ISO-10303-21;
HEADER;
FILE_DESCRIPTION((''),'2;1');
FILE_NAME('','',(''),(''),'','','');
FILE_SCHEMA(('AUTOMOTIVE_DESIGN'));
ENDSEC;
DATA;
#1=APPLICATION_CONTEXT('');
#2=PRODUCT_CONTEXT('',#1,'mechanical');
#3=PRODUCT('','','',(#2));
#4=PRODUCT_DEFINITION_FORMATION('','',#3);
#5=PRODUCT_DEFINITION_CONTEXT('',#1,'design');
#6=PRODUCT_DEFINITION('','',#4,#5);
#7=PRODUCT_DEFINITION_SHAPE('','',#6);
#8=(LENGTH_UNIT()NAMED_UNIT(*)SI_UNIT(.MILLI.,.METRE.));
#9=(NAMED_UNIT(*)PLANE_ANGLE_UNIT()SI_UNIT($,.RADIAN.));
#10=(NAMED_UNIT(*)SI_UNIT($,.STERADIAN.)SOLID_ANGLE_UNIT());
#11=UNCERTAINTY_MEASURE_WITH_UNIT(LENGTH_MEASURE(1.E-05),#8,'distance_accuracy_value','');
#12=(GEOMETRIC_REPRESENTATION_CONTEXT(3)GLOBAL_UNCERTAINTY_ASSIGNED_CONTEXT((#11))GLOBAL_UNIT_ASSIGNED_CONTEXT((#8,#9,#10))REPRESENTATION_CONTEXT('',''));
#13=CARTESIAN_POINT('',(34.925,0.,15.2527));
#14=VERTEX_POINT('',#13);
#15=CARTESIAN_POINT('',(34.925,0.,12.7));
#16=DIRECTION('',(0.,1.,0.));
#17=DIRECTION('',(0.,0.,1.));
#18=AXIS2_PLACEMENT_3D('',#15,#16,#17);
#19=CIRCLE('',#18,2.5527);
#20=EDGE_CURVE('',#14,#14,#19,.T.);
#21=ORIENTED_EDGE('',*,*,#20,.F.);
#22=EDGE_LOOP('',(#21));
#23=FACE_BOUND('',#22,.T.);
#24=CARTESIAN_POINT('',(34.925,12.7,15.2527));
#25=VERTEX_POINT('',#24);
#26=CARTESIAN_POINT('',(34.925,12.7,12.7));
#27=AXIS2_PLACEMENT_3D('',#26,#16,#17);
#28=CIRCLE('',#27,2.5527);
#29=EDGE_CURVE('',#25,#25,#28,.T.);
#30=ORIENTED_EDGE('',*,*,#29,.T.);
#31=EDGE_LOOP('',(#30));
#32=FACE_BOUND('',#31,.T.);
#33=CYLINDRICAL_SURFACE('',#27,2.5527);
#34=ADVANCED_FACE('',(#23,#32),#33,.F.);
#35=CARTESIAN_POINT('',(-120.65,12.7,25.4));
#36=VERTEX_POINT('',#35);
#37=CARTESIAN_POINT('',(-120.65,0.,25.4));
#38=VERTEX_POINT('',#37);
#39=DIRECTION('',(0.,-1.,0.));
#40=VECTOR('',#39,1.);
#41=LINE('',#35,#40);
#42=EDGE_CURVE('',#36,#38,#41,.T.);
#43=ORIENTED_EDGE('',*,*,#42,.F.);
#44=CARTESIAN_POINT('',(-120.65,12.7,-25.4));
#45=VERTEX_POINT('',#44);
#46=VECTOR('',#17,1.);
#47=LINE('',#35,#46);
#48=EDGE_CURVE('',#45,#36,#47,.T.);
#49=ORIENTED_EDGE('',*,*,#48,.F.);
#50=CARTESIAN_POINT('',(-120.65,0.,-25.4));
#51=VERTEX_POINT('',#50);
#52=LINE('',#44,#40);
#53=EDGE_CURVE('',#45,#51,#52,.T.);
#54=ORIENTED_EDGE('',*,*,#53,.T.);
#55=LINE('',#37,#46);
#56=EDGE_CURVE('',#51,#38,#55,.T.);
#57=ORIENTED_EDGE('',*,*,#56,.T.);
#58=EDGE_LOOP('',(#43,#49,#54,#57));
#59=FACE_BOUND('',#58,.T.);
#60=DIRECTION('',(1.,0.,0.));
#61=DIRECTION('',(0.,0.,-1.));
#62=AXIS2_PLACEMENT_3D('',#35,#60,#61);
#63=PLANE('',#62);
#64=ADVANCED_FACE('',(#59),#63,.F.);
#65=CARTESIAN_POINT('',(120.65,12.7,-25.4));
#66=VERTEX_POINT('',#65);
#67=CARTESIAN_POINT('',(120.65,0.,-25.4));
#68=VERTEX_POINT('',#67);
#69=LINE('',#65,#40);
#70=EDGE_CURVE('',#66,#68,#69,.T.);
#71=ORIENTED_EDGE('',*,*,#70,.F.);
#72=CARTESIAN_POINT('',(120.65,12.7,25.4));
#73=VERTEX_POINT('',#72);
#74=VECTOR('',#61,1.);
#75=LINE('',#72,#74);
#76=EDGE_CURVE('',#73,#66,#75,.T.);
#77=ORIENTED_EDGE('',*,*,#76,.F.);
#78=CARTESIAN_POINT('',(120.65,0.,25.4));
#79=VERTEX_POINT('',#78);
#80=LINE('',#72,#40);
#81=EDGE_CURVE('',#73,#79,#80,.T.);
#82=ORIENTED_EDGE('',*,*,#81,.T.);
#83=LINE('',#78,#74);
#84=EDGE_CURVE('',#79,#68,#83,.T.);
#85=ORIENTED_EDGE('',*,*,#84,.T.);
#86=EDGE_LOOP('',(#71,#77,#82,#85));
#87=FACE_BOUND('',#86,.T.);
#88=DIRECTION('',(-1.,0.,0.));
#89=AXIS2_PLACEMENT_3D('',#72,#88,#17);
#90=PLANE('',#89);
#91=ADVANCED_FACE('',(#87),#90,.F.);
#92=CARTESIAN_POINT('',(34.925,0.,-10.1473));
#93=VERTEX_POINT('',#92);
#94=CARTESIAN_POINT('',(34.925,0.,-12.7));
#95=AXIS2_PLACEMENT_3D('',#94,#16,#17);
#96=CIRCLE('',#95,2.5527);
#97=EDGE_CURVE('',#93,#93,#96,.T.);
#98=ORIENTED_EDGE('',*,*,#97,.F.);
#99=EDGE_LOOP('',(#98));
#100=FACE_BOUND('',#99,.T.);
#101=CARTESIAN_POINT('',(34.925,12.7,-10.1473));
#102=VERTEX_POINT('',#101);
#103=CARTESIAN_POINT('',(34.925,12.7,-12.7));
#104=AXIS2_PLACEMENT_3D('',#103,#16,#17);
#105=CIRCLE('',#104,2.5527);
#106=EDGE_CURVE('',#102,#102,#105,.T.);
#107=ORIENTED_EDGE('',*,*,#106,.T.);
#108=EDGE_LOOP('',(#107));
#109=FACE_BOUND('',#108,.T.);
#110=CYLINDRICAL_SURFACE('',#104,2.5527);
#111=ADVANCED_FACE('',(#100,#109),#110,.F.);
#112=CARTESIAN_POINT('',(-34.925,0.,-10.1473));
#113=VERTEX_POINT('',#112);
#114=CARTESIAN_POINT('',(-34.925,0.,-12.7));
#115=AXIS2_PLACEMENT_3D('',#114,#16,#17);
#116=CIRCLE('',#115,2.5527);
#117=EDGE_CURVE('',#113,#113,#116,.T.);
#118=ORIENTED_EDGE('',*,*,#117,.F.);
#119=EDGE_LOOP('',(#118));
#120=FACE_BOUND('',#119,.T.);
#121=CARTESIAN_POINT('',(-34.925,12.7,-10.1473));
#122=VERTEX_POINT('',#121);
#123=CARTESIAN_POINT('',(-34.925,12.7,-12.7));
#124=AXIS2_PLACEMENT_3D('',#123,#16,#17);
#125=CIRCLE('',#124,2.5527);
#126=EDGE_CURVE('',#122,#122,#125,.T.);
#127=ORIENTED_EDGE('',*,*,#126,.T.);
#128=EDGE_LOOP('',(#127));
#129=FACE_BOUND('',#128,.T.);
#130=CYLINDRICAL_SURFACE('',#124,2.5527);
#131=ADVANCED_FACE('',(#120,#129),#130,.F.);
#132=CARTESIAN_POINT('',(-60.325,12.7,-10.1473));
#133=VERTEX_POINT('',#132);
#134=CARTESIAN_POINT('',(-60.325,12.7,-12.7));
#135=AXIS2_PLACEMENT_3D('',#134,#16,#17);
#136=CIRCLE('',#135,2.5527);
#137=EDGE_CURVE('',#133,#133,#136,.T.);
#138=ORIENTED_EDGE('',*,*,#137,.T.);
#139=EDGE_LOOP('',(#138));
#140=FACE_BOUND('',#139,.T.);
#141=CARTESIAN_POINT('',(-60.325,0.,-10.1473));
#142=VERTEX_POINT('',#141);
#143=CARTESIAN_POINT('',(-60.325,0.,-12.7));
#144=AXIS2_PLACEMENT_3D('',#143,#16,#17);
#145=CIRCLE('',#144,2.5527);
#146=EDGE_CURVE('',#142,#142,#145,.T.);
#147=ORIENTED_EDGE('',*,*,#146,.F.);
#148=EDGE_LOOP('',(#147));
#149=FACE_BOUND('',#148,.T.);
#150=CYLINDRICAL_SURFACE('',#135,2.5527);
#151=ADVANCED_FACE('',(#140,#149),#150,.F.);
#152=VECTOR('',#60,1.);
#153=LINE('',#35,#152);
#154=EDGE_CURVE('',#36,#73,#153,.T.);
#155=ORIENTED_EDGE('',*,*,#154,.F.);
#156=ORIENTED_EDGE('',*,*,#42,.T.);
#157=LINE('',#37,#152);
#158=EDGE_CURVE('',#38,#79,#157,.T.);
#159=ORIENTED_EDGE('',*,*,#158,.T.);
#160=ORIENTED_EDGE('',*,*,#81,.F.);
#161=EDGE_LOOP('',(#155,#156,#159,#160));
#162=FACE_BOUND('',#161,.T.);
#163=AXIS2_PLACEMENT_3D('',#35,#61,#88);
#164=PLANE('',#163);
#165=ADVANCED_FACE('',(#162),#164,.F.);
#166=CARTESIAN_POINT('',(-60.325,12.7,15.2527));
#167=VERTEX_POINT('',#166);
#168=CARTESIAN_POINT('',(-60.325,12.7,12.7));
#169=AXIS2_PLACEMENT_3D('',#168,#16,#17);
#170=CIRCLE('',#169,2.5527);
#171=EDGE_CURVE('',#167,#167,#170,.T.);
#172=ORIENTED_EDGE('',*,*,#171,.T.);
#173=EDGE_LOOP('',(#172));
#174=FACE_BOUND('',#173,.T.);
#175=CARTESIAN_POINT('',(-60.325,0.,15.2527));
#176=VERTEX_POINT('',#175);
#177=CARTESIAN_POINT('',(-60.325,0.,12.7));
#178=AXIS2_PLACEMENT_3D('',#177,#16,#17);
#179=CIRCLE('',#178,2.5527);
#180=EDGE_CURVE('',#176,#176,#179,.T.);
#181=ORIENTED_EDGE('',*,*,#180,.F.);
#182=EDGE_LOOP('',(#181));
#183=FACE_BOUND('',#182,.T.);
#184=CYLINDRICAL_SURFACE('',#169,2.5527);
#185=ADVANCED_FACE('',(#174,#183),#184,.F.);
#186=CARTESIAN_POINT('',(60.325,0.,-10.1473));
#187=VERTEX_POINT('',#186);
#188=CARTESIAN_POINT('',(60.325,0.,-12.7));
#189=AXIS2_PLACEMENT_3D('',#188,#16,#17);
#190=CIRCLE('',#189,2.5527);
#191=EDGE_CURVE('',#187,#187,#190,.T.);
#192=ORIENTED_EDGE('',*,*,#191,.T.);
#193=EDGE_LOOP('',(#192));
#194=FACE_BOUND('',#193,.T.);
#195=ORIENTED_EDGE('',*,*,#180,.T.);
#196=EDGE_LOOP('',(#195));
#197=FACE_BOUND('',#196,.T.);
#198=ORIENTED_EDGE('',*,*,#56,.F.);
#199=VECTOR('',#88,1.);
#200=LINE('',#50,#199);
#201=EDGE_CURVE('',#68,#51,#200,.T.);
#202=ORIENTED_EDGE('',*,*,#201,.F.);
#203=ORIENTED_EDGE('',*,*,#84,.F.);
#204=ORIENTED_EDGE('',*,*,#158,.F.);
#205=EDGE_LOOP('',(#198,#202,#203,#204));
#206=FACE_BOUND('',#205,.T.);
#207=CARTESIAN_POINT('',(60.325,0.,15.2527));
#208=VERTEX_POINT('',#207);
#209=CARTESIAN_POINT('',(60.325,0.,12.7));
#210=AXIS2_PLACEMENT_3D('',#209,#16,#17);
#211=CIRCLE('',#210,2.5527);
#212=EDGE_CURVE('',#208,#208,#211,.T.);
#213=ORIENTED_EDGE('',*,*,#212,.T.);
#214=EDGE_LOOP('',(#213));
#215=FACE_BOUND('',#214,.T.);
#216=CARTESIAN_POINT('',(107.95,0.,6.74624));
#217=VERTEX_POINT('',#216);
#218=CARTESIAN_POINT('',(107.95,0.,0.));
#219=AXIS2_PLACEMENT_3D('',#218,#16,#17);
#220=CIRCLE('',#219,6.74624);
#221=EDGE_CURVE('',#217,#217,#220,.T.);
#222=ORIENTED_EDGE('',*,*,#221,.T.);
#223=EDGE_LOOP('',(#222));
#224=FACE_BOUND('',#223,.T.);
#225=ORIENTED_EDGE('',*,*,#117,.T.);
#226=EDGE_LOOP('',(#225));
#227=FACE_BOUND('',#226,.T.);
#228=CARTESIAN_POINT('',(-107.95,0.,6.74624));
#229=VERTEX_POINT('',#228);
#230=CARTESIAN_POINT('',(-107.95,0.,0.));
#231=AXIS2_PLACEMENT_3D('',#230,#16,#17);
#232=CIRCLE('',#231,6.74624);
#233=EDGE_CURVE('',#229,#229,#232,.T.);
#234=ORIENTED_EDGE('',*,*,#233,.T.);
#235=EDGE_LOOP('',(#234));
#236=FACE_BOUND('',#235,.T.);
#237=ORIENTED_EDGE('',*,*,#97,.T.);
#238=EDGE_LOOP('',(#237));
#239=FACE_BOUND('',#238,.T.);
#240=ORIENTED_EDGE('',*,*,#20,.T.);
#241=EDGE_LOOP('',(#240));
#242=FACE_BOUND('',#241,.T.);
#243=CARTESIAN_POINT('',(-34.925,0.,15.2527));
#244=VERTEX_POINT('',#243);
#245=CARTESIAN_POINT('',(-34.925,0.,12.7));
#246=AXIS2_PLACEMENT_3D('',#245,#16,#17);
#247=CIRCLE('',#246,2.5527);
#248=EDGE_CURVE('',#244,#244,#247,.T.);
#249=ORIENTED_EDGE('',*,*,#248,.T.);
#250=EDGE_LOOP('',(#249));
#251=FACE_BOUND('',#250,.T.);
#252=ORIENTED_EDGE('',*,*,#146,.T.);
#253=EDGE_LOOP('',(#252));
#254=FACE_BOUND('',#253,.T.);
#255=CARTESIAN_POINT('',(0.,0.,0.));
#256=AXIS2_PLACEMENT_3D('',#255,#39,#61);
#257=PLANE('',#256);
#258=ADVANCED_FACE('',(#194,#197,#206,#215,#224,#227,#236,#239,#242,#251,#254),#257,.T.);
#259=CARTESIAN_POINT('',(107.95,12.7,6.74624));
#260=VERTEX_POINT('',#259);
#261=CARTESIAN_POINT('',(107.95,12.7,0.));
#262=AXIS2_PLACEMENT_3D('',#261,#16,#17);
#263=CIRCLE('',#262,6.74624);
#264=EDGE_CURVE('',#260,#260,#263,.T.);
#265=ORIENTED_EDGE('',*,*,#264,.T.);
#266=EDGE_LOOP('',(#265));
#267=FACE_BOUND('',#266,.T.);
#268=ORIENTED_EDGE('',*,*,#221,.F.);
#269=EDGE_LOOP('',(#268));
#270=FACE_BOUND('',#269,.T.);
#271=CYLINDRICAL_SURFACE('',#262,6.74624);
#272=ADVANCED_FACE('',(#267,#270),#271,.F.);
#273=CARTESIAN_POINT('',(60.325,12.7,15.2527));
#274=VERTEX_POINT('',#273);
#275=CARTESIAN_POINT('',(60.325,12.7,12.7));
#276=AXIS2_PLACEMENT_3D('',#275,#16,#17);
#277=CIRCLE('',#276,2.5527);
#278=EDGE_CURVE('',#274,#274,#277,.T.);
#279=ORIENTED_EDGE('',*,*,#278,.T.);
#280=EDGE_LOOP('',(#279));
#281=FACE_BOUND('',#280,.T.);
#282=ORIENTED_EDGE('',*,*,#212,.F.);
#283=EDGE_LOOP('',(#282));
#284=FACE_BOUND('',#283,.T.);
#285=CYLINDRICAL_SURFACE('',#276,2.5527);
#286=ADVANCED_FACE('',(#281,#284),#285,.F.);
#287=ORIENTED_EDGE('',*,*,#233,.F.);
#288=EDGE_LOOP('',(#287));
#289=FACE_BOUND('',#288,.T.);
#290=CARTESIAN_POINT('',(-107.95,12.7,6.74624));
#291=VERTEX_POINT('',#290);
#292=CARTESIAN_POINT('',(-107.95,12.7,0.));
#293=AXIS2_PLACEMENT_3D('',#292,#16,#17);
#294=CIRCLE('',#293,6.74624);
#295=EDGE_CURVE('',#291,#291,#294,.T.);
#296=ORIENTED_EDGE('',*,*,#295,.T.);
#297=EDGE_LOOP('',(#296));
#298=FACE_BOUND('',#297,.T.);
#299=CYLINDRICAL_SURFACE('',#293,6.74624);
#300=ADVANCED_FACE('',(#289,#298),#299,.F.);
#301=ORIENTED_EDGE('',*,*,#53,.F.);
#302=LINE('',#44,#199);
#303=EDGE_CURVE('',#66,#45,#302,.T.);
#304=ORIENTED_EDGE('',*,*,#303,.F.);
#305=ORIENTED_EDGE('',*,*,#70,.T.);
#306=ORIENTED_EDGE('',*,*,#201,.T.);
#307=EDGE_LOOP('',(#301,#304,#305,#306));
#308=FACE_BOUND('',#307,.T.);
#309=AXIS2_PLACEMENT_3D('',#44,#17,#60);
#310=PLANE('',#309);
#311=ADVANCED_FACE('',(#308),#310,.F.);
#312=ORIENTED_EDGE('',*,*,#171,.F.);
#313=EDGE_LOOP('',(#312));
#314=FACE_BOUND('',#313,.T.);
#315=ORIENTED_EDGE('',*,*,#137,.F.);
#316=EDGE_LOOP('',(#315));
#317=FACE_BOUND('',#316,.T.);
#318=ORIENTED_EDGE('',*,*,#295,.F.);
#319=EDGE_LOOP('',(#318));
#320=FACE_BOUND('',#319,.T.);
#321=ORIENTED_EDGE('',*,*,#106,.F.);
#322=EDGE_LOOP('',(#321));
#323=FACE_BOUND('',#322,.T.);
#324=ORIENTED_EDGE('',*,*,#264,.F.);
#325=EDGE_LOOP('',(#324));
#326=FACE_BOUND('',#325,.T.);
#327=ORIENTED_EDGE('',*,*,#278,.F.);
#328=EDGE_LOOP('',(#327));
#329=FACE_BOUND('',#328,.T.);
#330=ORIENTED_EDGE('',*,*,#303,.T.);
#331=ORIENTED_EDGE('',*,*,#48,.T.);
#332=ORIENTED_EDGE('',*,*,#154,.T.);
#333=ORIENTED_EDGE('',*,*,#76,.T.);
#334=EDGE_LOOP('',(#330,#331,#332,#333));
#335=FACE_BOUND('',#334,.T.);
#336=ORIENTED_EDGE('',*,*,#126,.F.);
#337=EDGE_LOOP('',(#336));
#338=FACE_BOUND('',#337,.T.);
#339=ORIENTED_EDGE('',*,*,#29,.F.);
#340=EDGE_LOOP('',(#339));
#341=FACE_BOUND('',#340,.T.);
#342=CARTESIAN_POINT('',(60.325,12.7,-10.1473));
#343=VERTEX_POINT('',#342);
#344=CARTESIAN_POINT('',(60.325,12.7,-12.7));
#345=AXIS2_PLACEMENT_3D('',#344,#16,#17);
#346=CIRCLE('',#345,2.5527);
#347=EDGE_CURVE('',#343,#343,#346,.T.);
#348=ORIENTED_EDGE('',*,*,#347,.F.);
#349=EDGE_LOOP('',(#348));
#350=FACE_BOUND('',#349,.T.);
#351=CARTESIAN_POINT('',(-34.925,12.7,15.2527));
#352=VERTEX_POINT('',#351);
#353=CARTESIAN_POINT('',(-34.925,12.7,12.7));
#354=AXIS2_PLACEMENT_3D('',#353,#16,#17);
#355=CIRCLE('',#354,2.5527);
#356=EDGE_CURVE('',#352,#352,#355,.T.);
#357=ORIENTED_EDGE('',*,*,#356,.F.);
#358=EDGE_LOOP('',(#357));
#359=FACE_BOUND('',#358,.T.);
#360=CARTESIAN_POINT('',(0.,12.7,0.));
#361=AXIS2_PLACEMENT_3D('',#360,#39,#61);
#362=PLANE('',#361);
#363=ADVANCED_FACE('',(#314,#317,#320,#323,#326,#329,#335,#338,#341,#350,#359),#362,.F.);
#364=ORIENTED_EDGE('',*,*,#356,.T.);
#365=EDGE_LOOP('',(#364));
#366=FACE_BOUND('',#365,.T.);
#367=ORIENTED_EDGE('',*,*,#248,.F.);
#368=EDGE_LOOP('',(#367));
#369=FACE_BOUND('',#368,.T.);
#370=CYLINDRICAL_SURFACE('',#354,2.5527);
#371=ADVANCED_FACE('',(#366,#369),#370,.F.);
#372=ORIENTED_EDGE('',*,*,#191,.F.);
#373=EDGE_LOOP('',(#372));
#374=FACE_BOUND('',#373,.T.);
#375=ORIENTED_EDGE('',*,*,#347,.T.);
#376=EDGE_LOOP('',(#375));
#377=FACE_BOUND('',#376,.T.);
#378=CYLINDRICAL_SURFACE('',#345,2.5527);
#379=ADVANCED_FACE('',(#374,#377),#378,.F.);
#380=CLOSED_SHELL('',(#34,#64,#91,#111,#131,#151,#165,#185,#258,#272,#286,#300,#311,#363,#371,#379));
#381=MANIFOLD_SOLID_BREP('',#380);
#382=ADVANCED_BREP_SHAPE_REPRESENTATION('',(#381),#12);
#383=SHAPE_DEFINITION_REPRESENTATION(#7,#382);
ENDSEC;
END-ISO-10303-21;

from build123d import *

# Parameters (mm, degrees)
SKETCH1_W               = 241.3
SKETCH1_H               = 50.8
BOSS_EXTRUDE1_DEPTH     = 12.7
F_1_4_20_TAPPED_HOLE2_D = 5.1054
F_1_2_CLEARANCE_HOLE1_D = 13.49248


with BuildPart() as part:
    # Sketch1 → Boss-Extrude1 (new body)
    with BuildSketch(Plane(origin=(0, 0, 0), x_dir=(1, 0, 0), z_dir=(0, 1, 0))):
        Rectangle(SKETCH1_W, SKETCH1_H)
    extrude(amount=BOSS_EXTRUDE1_DEPTH)

    # 1/4-20 Tapped Hole2 (through all)
    with Locations(Plane(origin=(0, 12.7, 0), x_dir=(1, 0, 0), z_dir=(0, 1, 0))):
        with Locations((60.325, -12.7), (-34.925, -12.7), (-60.325, -12.7), (-60.325, 12.7), (-34.925, 12.7), (34.925, 12.7), (60.325, 12.7), (34.925, -12.7)):
            Hole(F_1_4_20_TAPPED_HOLE2_D / 2)

    # 1/2 Clearance Hole1 (through all)
    with Locations(Plane(origin=(0, 12.7, 0), x_dir=(1, 0, 0), z_dir=(0, 1, 0))):
        with Locations((-107.95, 0), (107.95, 0)):
            Hole(F_1_2_CLEARANCE_HOLE1_D / 2)


solid = part.part
